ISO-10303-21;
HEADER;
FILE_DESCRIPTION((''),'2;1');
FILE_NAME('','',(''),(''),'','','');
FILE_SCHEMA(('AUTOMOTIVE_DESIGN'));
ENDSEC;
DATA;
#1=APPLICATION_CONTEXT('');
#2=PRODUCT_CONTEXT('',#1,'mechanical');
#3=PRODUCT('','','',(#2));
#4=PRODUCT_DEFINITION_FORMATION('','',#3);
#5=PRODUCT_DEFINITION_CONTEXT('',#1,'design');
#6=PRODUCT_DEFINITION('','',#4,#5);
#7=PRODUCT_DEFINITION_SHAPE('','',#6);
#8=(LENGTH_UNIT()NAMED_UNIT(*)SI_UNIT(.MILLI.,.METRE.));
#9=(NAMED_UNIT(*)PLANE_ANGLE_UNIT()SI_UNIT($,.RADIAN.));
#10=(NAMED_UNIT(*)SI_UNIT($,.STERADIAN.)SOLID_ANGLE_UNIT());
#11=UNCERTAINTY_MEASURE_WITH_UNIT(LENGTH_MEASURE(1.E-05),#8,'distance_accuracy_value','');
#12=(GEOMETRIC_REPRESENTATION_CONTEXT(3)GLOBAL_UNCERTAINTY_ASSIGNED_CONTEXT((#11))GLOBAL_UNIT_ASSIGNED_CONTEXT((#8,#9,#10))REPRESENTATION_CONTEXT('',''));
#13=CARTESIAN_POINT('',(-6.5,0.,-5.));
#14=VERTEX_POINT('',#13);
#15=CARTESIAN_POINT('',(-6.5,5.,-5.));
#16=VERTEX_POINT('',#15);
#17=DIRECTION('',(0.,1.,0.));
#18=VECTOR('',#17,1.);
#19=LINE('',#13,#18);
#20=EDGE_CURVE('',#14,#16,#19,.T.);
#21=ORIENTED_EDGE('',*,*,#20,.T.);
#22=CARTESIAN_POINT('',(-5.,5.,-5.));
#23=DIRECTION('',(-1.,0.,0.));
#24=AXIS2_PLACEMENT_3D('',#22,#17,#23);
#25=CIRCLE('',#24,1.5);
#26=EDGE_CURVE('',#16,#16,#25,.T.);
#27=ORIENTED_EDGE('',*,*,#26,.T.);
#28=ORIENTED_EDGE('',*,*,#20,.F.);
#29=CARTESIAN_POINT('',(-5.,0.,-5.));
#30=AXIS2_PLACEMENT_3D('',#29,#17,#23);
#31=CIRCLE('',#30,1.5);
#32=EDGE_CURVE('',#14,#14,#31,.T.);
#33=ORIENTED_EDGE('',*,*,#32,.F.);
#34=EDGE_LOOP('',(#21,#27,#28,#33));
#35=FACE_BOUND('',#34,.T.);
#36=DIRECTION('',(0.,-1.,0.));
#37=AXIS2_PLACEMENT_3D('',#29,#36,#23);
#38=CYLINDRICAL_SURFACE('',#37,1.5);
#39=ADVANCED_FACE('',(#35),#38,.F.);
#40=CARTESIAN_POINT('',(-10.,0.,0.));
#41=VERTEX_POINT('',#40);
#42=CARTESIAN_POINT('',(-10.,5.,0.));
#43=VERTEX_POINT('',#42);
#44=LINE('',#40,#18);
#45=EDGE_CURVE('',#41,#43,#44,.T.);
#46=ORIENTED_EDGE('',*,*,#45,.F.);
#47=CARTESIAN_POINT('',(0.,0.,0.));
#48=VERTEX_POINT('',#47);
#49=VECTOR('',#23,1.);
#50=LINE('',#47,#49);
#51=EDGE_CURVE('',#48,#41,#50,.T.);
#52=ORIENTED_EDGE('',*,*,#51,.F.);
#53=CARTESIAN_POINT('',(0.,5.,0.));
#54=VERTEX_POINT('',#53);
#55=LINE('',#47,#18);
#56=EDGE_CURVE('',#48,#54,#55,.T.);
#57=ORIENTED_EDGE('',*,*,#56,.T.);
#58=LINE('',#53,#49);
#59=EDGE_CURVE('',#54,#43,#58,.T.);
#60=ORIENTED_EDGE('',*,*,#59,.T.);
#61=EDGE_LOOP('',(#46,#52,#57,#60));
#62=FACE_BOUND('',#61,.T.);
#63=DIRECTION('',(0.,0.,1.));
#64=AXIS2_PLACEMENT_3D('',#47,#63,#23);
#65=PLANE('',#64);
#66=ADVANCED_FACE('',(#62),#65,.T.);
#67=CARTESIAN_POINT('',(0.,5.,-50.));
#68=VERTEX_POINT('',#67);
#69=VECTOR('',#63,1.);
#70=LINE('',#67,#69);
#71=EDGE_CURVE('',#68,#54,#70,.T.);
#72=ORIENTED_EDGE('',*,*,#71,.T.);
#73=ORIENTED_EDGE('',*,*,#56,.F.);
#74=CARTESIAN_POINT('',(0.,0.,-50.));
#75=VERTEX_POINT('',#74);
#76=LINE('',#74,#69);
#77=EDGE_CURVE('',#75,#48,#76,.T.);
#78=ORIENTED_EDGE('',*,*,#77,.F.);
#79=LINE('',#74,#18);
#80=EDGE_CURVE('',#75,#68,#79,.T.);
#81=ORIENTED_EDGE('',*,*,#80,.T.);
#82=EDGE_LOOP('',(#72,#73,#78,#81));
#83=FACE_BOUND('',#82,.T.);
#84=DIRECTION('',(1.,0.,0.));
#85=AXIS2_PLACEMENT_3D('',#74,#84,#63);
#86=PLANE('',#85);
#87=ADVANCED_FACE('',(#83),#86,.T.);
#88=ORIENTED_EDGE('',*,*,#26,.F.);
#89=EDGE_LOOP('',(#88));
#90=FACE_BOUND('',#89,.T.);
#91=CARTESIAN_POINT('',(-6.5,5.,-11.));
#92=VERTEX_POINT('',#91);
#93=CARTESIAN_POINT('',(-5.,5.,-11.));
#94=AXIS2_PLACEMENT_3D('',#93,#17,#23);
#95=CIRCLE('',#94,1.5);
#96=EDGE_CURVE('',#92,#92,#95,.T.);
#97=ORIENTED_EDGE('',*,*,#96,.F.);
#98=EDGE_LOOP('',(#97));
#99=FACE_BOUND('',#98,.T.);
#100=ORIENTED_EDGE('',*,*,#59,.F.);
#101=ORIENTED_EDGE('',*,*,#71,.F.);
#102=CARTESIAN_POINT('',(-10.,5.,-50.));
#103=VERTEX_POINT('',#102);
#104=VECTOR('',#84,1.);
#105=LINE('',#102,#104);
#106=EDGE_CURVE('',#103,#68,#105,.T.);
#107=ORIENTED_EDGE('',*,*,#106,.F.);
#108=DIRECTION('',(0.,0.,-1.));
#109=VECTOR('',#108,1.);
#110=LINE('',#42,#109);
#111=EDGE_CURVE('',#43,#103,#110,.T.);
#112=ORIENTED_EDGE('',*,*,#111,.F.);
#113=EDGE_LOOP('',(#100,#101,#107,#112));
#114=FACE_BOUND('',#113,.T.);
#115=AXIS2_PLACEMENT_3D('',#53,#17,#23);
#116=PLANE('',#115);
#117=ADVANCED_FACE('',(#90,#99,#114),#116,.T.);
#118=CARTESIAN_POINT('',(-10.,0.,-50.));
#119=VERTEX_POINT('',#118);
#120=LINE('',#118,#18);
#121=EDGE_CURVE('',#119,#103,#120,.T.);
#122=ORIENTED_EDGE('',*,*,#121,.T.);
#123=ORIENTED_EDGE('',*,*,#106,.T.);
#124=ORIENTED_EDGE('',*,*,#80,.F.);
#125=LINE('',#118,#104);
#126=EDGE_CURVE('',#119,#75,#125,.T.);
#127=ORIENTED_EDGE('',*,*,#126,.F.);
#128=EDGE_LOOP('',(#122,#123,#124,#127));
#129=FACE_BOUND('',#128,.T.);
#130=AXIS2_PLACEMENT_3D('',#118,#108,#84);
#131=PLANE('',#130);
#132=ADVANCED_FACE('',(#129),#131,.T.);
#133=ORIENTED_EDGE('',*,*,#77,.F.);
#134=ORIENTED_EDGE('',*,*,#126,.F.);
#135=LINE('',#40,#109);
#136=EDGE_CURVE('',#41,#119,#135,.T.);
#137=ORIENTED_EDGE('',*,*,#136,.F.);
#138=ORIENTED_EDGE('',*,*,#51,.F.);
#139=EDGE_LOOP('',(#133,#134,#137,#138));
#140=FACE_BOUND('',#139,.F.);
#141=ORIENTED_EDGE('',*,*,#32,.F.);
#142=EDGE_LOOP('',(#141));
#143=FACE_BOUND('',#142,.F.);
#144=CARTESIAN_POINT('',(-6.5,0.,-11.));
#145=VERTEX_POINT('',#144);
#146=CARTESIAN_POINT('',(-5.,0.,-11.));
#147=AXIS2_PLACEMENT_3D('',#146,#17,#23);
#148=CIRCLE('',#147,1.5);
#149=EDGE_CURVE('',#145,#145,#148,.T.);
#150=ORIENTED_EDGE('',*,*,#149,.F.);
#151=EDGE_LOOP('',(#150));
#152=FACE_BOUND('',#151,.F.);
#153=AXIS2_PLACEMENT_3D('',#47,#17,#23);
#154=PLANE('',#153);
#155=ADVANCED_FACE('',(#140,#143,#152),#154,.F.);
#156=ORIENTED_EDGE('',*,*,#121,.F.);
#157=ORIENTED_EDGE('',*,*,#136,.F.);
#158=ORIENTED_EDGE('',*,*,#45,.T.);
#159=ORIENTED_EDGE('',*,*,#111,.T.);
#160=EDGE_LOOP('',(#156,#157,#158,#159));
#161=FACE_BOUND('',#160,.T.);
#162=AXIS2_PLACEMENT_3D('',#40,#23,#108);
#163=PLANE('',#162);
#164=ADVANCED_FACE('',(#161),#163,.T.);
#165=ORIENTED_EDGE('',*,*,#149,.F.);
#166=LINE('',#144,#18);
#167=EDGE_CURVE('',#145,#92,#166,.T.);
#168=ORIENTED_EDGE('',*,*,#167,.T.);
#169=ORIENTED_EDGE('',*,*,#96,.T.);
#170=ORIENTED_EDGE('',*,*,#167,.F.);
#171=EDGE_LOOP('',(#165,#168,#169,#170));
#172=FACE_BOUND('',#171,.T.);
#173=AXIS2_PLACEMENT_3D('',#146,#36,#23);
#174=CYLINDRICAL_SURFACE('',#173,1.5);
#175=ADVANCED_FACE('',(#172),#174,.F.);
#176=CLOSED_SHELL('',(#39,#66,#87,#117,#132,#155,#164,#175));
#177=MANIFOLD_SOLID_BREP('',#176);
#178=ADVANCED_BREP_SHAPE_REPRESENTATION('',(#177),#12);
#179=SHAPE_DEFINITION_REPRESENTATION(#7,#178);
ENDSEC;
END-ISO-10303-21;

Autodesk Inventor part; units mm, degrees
ref_plane "YZ Plane" through (0, 0, 0) normal (1, 0, 0) x (0, 1, 0)
ref_plane "XZ Plane" through (0, 0, 0) normal (0, 1, 0) x (-1, 0, 0)
ref_plane "XY Plane" through (0, 0, 0) normal (0, 0, 1) x (1, 0, 0)
sketch "Sketch1" plane through (0, 0, 0) normal (0, 1, 0) x (-1, 0, 0)
  line L0 (0, 0) -> (10, 0)
  line L1 (10, 0) -> (10, -50)
  line L2 (10, -50) -> (0, -50)
  line L3 (0, -50) -> (0, 0)
  circle A0 centre (5, -5) radius 1.5
  circle A1 centre (5, -11) radius 1.5
  dimension "d0" = 10
  dimension "d1" = 50
  dimension "d4" = 3
  dimension "d5" = 3
  dimension "d6" = 6
  dimension "d7" = 5
  dimension "d8" = 5
extrude "Extrusion2" add sketch "Sketch1" along normal blind 5
properties part number "Soporte3_Dos"
